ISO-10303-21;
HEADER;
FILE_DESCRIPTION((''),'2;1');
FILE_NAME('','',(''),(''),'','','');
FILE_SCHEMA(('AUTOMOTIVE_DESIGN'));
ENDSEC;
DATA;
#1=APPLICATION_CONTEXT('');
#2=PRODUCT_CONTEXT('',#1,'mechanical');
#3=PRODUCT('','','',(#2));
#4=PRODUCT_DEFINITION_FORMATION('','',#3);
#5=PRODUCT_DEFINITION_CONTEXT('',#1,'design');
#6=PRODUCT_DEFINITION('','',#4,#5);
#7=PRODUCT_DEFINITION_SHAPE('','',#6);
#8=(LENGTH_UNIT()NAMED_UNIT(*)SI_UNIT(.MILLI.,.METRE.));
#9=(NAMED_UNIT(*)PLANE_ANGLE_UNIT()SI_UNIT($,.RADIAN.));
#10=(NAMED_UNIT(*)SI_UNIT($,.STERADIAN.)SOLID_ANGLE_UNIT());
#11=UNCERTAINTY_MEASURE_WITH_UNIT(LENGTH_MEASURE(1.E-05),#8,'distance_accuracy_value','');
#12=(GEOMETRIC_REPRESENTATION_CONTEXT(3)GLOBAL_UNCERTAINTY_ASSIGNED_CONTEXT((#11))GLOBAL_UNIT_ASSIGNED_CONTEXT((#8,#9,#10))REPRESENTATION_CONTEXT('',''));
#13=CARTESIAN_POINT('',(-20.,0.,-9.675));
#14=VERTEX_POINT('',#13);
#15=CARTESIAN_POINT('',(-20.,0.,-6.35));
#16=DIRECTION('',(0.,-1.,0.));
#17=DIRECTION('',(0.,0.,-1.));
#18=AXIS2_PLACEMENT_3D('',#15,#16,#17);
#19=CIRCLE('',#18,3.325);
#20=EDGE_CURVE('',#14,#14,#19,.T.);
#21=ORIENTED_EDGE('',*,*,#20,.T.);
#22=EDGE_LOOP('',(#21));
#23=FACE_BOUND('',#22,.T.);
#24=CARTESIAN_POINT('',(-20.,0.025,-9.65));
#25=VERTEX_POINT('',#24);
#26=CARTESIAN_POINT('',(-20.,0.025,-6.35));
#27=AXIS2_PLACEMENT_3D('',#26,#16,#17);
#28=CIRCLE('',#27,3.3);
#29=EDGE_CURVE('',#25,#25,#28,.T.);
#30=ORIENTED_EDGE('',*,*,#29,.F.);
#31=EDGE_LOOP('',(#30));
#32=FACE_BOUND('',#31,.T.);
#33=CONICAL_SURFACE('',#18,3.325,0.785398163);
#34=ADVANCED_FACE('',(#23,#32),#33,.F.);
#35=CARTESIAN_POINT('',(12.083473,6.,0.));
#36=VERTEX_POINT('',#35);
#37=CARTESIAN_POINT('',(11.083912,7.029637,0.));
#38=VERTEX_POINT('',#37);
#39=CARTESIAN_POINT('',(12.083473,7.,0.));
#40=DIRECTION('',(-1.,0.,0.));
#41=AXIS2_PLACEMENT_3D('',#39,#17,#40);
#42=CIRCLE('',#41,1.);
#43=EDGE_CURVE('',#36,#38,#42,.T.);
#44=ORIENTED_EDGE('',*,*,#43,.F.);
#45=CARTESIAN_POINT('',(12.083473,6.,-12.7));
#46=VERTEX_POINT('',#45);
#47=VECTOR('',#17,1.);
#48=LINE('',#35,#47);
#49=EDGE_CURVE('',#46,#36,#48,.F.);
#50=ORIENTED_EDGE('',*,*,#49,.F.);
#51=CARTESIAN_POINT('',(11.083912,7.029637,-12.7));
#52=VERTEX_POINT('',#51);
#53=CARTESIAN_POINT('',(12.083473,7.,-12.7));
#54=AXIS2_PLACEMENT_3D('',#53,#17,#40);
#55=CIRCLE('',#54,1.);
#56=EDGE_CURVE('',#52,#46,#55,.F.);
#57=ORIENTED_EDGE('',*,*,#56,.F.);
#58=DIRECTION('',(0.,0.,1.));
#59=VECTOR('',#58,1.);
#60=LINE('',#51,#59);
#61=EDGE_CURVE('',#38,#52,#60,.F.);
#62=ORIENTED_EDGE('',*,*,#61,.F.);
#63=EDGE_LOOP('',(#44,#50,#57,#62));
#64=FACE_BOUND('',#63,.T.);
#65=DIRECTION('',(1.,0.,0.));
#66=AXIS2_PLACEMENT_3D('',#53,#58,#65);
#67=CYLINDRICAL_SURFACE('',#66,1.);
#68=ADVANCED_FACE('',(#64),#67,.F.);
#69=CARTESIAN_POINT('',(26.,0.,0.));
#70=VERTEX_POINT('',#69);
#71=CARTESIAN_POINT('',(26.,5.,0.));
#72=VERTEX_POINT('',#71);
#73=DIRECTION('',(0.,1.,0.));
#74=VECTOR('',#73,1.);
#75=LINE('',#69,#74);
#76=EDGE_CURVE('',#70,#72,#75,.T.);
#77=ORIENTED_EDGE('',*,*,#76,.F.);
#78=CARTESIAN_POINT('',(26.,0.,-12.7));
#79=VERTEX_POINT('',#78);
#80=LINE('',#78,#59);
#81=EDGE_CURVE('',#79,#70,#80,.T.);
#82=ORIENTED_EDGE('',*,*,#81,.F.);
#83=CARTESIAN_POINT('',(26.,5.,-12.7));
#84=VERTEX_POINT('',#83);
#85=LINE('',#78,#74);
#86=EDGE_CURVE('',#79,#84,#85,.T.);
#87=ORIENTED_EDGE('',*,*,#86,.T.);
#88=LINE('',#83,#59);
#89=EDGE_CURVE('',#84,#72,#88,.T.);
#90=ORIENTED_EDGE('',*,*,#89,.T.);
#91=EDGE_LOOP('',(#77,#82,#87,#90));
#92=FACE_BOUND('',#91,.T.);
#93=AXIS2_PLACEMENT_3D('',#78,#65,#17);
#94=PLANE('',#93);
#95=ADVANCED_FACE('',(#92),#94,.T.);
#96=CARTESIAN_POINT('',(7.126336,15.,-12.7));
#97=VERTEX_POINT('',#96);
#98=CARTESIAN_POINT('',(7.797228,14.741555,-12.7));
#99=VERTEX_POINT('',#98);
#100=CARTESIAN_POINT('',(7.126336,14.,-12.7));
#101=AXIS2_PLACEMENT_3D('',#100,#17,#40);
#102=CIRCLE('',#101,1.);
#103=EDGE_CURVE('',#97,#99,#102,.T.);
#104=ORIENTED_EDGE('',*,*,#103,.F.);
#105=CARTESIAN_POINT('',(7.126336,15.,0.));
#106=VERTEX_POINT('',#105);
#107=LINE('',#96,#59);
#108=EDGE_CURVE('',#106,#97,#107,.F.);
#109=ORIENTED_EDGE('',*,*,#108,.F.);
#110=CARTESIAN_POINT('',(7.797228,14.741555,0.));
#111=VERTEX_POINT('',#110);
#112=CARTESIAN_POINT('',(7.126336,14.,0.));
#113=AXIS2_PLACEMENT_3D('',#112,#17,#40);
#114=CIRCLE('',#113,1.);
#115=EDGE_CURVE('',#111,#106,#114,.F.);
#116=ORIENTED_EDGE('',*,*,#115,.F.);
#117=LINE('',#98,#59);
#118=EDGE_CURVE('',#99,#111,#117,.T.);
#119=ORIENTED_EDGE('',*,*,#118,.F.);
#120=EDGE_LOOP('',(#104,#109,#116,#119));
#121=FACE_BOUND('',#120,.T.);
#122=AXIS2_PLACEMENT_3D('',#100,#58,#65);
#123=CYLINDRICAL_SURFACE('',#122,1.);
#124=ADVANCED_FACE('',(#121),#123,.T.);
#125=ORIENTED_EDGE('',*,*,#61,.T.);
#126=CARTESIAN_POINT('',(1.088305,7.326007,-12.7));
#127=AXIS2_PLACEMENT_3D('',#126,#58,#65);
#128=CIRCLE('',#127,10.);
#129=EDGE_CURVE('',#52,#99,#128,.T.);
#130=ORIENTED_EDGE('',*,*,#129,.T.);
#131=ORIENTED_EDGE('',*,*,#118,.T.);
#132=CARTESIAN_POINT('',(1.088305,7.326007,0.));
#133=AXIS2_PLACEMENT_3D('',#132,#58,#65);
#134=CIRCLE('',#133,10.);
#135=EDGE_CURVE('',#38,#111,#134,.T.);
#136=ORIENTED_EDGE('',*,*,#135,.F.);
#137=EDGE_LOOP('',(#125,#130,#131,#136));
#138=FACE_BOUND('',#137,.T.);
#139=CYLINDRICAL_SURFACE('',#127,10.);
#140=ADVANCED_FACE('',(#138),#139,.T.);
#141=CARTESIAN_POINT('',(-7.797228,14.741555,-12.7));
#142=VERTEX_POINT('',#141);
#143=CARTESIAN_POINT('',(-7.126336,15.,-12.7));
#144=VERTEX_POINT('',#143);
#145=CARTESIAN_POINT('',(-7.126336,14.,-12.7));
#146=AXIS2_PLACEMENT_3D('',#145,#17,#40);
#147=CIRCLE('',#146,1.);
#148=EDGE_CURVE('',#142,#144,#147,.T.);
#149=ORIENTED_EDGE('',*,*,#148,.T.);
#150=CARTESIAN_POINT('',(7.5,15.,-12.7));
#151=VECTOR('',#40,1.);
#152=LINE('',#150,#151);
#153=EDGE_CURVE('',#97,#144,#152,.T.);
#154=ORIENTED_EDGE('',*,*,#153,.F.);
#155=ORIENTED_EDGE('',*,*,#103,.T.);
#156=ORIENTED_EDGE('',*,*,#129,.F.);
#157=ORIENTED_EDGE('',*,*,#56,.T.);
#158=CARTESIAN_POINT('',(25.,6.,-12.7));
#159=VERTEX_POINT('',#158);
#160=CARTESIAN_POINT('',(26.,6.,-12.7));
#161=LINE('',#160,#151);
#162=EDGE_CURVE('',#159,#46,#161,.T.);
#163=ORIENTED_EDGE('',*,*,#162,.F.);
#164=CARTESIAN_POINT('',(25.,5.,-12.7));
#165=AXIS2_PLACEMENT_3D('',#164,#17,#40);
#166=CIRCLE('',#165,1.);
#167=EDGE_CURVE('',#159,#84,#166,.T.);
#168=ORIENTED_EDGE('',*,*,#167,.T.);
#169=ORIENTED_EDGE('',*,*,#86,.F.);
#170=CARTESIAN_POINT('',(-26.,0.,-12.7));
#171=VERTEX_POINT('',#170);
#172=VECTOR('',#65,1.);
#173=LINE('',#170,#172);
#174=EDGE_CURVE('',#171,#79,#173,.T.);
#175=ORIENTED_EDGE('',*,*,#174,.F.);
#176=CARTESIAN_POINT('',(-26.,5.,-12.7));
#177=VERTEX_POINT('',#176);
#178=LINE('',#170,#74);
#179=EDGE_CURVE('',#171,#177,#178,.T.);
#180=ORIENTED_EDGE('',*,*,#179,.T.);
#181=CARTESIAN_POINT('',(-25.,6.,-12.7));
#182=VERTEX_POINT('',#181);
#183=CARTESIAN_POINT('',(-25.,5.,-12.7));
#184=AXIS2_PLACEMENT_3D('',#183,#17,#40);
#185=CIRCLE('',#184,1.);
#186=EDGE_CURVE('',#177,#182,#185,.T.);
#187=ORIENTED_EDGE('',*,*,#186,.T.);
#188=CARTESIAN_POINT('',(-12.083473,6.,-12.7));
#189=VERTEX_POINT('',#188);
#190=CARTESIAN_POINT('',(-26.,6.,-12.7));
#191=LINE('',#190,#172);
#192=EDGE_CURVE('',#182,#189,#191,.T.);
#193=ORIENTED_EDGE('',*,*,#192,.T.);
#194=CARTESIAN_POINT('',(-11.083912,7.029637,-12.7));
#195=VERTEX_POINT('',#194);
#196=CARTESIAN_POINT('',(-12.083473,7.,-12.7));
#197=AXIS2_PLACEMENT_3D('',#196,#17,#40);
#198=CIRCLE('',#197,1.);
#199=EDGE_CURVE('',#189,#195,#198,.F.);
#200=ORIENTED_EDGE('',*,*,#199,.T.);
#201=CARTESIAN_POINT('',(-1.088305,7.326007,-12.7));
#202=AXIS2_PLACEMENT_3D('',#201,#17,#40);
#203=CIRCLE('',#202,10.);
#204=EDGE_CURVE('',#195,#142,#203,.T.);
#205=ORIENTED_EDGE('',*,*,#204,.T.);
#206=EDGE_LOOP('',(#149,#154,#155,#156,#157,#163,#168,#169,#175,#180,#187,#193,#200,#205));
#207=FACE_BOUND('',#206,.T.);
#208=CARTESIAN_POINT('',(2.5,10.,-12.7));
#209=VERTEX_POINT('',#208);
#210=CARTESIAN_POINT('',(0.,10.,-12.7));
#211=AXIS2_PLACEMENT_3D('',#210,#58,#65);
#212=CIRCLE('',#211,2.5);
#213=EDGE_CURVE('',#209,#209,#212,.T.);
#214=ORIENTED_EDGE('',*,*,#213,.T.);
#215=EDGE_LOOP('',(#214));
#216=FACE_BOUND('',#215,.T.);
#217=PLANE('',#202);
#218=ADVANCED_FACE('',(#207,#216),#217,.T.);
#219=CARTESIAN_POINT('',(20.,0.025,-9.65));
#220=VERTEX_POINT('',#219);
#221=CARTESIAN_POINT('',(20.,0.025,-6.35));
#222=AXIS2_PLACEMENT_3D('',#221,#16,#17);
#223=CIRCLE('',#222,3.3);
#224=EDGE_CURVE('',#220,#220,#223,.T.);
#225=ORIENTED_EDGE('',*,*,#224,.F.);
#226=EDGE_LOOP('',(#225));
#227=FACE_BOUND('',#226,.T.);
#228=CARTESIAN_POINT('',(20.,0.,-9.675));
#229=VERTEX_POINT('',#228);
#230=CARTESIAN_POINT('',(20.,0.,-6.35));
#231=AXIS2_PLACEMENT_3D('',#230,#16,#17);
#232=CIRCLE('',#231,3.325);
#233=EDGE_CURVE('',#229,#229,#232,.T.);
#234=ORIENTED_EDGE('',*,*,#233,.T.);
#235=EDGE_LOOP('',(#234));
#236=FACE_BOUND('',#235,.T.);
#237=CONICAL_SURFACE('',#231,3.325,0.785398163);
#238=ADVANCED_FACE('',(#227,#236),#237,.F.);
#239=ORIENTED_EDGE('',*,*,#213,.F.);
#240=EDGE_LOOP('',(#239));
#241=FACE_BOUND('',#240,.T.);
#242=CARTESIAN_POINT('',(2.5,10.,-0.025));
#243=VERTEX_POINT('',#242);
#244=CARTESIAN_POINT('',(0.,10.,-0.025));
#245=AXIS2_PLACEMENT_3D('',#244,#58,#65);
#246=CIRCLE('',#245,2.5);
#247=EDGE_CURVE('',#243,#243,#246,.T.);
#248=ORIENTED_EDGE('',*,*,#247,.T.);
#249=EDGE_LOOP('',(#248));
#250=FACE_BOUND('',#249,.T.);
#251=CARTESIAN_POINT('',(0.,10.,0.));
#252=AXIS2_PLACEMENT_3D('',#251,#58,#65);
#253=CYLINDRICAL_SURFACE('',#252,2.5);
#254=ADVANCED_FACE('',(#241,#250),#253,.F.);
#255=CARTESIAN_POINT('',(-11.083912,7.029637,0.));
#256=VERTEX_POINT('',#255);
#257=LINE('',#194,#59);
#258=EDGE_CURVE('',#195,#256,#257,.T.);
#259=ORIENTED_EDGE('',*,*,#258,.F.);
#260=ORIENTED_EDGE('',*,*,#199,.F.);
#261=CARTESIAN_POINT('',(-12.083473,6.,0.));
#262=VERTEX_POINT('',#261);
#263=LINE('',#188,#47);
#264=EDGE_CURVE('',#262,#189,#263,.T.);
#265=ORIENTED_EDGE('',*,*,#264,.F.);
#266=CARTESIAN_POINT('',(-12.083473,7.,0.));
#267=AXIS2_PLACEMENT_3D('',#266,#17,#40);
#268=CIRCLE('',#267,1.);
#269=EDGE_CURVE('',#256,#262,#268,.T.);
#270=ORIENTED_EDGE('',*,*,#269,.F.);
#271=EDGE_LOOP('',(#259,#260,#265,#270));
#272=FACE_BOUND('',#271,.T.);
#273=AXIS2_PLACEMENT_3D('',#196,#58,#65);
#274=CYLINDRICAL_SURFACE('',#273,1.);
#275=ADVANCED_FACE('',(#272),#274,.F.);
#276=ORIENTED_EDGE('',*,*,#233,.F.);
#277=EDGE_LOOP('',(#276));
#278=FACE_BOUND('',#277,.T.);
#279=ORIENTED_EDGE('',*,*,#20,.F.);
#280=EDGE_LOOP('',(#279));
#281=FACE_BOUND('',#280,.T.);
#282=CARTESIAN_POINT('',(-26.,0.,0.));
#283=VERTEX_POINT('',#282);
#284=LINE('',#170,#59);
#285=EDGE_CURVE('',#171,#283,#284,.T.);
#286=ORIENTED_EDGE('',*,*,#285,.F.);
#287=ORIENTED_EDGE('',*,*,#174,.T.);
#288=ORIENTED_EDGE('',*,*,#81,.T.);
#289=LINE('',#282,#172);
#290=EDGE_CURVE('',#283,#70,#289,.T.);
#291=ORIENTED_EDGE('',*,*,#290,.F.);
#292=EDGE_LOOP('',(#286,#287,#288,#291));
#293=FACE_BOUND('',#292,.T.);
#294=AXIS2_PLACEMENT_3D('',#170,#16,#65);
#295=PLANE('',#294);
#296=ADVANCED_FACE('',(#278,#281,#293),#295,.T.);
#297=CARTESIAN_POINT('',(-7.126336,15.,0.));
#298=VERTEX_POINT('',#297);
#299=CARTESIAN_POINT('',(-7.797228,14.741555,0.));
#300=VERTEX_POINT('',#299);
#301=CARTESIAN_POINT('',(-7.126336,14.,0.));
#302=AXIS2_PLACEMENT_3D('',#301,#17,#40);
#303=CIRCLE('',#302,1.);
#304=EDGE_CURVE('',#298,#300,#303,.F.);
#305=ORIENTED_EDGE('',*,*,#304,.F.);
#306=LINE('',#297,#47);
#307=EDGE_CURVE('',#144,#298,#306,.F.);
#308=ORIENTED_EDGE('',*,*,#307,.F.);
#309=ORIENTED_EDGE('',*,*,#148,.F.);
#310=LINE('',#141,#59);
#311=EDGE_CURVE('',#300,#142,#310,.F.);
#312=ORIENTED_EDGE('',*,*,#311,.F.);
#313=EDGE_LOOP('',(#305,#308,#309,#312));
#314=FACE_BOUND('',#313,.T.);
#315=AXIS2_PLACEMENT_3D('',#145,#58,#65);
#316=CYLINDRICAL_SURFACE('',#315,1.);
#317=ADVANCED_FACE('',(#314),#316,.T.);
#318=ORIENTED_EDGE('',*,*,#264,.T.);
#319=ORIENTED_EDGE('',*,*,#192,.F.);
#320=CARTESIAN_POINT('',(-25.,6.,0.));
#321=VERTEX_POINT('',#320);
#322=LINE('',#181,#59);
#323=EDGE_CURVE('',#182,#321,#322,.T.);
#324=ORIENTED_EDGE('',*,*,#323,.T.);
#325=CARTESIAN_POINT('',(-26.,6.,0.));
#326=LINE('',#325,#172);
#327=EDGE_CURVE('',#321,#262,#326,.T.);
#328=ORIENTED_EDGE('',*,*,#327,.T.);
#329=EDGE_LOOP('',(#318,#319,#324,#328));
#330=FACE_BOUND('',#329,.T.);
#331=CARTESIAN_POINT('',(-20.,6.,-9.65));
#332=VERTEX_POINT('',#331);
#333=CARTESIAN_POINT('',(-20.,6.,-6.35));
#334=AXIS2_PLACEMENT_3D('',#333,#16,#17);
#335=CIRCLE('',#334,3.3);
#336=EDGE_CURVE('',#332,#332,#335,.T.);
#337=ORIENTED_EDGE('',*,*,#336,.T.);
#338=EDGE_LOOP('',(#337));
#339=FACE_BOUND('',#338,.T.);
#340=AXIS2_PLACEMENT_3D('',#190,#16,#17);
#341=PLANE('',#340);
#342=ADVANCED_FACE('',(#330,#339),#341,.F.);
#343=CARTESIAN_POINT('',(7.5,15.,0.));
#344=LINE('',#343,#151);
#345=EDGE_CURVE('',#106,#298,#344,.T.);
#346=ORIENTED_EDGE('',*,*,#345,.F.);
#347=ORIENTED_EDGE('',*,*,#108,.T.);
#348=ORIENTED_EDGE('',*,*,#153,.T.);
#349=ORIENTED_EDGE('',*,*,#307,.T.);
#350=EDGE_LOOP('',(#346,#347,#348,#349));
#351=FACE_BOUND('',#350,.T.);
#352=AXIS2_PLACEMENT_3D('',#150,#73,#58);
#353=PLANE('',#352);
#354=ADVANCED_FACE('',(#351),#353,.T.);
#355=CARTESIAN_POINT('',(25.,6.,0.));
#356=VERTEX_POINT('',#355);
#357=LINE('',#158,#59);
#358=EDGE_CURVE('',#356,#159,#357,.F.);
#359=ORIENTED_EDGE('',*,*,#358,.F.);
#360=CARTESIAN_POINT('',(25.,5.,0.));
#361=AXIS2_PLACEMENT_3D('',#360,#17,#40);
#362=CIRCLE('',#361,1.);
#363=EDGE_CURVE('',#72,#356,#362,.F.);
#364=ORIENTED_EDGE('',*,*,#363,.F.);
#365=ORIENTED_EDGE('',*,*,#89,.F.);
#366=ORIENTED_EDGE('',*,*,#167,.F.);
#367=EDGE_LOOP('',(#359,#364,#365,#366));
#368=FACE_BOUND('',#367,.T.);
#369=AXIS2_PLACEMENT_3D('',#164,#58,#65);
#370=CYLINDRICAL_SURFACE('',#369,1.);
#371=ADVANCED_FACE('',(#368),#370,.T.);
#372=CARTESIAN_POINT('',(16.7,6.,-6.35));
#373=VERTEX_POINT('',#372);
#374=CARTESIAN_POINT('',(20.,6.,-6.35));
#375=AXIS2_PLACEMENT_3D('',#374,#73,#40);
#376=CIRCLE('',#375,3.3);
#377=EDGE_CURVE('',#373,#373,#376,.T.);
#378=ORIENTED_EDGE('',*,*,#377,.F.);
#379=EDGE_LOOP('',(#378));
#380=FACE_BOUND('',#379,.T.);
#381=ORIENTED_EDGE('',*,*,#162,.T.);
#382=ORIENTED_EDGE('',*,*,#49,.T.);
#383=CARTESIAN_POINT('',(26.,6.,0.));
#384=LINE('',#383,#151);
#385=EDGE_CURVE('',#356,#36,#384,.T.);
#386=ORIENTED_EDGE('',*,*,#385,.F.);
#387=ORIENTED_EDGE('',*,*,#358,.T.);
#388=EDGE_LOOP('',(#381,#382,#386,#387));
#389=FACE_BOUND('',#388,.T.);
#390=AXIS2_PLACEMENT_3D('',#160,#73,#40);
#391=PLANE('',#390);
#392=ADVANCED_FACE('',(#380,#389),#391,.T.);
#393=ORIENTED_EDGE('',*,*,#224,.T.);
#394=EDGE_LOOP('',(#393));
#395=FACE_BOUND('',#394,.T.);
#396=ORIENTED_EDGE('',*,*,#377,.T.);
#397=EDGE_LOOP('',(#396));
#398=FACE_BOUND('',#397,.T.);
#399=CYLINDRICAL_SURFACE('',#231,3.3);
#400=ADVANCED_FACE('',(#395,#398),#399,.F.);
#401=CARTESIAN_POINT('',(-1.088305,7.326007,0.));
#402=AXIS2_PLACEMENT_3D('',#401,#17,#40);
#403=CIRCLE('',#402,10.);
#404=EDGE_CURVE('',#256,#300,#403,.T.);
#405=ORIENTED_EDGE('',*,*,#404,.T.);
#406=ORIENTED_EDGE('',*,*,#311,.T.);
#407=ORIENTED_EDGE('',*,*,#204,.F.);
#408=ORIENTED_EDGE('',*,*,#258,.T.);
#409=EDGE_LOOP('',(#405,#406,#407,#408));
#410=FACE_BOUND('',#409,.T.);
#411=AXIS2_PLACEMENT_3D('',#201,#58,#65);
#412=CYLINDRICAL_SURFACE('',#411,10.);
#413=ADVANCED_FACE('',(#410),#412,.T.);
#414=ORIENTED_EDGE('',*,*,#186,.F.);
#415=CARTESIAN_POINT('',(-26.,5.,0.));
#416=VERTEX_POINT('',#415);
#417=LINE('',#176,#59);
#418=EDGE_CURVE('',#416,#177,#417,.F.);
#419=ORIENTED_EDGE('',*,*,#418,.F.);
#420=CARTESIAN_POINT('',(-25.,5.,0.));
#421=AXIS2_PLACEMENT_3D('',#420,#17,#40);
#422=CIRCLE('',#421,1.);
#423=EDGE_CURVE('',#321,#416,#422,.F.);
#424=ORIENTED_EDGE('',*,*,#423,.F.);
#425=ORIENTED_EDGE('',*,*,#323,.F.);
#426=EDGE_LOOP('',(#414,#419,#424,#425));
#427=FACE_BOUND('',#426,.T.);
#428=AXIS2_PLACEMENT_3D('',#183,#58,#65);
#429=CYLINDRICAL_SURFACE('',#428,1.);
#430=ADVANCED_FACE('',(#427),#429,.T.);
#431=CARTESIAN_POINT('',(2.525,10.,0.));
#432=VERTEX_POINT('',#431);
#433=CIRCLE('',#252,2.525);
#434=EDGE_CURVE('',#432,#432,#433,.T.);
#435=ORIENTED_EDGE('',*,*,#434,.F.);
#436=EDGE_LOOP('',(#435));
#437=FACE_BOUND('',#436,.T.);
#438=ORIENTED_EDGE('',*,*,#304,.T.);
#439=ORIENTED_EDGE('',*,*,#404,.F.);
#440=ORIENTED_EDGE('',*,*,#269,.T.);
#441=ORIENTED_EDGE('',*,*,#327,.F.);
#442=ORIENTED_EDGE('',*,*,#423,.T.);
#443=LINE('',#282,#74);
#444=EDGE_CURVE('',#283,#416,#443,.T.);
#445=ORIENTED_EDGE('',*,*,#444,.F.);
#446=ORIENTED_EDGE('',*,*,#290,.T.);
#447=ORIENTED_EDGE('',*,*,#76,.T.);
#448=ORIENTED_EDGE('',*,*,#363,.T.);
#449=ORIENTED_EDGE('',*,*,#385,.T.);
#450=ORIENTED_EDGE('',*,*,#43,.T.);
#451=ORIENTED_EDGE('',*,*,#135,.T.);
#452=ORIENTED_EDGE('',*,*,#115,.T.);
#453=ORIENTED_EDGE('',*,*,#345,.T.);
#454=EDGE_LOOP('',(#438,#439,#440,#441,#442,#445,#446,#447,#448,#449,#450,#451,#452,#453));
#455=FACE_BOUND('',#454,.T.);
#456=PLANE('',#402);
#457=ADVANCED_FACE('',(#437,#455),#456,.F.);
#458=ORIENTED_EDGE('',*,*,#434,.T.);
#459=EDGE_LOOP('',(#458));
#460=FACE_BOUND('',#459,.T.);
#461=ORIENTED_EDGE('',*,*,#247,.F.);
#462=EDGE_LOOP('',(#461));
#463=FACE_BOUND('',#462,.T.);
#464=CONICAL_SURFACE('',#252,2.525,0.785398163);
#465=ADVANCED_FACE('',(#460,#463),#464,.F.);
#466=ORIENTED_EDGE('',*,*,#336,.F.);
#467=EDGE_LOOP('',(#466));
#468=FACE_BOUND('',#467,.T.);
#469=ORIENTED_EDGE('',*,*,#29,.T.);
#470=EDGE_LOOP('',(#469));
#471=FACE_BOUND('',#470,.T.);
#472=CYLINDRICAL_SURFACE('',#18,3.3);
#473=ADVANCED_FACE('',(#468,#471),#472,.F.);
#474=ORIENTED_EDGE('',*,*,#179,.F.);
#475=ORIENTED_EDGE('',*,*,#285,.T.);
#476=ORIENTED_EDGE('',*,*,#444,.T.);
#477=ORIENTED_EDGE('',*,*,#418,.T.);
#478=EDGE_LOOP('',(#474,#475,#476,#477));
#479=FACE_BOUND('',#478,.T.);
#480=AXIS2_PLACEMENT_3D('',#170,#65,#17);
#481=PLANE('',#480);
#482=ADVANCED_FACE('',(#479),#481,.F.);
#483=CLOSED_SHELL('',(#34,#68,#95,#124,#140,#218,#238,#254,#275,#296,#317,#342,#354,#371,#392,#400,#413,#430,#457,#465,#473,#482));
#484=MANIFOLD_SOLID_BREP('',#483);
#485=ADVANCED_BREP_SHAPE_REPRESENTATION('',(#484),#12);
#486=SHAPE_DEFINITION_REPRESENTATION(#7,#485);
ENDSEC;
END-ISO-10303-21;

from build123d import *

# Parameters (mm, degrees)
BOSS_EXTRUDE1_DEPTH                   = 12.7
TAP_DRILL_FOR_M6X1_0_TAP1_D           = 5
TAP_DRILL_FOR_M6X1_0_TAP1_CSINK_D     = 5.05
TAP_DRILL_FOR_M6X1_0_TAP1_CSINK_ANGLE = 90
M6_CLEARANCE_HOLE1_D                  = 6.6
M6_CLEARANCE_HOLE1_CSINK_D            = 6.65
M6_CLEARANCE_HOLE1_CSINK_ANGLE        = 90
FILLET1_R                             = 1


with BuildPart() as part:
    # Sketch1 → Boss-Extrude1 (new body)
    with BuildSketch(Plane.XY):
        with BuildLine():
            Line((-26, 0), (26, 0))
            Line((26, 0), (26, 6))
            Line((26, 6), (11, 6))
            ThreePointArc((11, 6), (10.408351378, 10.95046998), (7.5, 15))
            Line((7.5, 15), (-7.5, 15))
            ThreePointArc((-7.5, 15), (-10.408351378, 10.95046998), (-11, 6))
            Line((-11, 6), (-26, 6))
            Line((-26, 6), (-26, 0))
        make_face()
    extrude(amount=-BOSS_EXTRUDE1_DEPTH)

    # Tap Drill for M6x1.0 Tap1 (through all)
    with Locations(Plane(origin=(0, 10, 0), x_dir=(1, 0, 0), z_dir=(0, 0, 1))):
        with Locations((0, 0)):
            CounterSinkHole(TAP_DRILL_FOR_M6X1_0_TAP1_D / 2, TAP_DRILL_FOR_M6X1_0_TAP1_CSINK_D / 2, counter_sink_angle=TAP_DRILL_FOR_M6X1_0_TAP1_CSINK_ANGLE)

    # M6 Clearance Hole1 (through all)
    with Locations(Plane(origin=(-20, 0, -6.35), x_dir=(-1, 0, 0), z_dir=(0, -1, 0))):
        with Locations((0, 0), (-40, 0)):
            CounterSinkHole(M6_CLEARANCE_HOLE1_D / 2, M6_CLEARANCE_HOLE1_CSINK_D / 2, counter_sink_angle=M6_CLEARANCE_HOLE1_CSINK_ANGLE)

    # Fillet1
    fillet1_edges = [part.edges().sort_by_distance(p)[0] for p in [
        (-26, 6, -6.35),
        (26, 6, -6.35),
        (11, 6, -6.35),
        (7.5, 15, -6.35),
        (-7.5, 15, -6.35),
        (-11, 6, -6.35),
    ]]
    fillet(fillet1_edges, radius=FILLET1_R)


solid = part.part
